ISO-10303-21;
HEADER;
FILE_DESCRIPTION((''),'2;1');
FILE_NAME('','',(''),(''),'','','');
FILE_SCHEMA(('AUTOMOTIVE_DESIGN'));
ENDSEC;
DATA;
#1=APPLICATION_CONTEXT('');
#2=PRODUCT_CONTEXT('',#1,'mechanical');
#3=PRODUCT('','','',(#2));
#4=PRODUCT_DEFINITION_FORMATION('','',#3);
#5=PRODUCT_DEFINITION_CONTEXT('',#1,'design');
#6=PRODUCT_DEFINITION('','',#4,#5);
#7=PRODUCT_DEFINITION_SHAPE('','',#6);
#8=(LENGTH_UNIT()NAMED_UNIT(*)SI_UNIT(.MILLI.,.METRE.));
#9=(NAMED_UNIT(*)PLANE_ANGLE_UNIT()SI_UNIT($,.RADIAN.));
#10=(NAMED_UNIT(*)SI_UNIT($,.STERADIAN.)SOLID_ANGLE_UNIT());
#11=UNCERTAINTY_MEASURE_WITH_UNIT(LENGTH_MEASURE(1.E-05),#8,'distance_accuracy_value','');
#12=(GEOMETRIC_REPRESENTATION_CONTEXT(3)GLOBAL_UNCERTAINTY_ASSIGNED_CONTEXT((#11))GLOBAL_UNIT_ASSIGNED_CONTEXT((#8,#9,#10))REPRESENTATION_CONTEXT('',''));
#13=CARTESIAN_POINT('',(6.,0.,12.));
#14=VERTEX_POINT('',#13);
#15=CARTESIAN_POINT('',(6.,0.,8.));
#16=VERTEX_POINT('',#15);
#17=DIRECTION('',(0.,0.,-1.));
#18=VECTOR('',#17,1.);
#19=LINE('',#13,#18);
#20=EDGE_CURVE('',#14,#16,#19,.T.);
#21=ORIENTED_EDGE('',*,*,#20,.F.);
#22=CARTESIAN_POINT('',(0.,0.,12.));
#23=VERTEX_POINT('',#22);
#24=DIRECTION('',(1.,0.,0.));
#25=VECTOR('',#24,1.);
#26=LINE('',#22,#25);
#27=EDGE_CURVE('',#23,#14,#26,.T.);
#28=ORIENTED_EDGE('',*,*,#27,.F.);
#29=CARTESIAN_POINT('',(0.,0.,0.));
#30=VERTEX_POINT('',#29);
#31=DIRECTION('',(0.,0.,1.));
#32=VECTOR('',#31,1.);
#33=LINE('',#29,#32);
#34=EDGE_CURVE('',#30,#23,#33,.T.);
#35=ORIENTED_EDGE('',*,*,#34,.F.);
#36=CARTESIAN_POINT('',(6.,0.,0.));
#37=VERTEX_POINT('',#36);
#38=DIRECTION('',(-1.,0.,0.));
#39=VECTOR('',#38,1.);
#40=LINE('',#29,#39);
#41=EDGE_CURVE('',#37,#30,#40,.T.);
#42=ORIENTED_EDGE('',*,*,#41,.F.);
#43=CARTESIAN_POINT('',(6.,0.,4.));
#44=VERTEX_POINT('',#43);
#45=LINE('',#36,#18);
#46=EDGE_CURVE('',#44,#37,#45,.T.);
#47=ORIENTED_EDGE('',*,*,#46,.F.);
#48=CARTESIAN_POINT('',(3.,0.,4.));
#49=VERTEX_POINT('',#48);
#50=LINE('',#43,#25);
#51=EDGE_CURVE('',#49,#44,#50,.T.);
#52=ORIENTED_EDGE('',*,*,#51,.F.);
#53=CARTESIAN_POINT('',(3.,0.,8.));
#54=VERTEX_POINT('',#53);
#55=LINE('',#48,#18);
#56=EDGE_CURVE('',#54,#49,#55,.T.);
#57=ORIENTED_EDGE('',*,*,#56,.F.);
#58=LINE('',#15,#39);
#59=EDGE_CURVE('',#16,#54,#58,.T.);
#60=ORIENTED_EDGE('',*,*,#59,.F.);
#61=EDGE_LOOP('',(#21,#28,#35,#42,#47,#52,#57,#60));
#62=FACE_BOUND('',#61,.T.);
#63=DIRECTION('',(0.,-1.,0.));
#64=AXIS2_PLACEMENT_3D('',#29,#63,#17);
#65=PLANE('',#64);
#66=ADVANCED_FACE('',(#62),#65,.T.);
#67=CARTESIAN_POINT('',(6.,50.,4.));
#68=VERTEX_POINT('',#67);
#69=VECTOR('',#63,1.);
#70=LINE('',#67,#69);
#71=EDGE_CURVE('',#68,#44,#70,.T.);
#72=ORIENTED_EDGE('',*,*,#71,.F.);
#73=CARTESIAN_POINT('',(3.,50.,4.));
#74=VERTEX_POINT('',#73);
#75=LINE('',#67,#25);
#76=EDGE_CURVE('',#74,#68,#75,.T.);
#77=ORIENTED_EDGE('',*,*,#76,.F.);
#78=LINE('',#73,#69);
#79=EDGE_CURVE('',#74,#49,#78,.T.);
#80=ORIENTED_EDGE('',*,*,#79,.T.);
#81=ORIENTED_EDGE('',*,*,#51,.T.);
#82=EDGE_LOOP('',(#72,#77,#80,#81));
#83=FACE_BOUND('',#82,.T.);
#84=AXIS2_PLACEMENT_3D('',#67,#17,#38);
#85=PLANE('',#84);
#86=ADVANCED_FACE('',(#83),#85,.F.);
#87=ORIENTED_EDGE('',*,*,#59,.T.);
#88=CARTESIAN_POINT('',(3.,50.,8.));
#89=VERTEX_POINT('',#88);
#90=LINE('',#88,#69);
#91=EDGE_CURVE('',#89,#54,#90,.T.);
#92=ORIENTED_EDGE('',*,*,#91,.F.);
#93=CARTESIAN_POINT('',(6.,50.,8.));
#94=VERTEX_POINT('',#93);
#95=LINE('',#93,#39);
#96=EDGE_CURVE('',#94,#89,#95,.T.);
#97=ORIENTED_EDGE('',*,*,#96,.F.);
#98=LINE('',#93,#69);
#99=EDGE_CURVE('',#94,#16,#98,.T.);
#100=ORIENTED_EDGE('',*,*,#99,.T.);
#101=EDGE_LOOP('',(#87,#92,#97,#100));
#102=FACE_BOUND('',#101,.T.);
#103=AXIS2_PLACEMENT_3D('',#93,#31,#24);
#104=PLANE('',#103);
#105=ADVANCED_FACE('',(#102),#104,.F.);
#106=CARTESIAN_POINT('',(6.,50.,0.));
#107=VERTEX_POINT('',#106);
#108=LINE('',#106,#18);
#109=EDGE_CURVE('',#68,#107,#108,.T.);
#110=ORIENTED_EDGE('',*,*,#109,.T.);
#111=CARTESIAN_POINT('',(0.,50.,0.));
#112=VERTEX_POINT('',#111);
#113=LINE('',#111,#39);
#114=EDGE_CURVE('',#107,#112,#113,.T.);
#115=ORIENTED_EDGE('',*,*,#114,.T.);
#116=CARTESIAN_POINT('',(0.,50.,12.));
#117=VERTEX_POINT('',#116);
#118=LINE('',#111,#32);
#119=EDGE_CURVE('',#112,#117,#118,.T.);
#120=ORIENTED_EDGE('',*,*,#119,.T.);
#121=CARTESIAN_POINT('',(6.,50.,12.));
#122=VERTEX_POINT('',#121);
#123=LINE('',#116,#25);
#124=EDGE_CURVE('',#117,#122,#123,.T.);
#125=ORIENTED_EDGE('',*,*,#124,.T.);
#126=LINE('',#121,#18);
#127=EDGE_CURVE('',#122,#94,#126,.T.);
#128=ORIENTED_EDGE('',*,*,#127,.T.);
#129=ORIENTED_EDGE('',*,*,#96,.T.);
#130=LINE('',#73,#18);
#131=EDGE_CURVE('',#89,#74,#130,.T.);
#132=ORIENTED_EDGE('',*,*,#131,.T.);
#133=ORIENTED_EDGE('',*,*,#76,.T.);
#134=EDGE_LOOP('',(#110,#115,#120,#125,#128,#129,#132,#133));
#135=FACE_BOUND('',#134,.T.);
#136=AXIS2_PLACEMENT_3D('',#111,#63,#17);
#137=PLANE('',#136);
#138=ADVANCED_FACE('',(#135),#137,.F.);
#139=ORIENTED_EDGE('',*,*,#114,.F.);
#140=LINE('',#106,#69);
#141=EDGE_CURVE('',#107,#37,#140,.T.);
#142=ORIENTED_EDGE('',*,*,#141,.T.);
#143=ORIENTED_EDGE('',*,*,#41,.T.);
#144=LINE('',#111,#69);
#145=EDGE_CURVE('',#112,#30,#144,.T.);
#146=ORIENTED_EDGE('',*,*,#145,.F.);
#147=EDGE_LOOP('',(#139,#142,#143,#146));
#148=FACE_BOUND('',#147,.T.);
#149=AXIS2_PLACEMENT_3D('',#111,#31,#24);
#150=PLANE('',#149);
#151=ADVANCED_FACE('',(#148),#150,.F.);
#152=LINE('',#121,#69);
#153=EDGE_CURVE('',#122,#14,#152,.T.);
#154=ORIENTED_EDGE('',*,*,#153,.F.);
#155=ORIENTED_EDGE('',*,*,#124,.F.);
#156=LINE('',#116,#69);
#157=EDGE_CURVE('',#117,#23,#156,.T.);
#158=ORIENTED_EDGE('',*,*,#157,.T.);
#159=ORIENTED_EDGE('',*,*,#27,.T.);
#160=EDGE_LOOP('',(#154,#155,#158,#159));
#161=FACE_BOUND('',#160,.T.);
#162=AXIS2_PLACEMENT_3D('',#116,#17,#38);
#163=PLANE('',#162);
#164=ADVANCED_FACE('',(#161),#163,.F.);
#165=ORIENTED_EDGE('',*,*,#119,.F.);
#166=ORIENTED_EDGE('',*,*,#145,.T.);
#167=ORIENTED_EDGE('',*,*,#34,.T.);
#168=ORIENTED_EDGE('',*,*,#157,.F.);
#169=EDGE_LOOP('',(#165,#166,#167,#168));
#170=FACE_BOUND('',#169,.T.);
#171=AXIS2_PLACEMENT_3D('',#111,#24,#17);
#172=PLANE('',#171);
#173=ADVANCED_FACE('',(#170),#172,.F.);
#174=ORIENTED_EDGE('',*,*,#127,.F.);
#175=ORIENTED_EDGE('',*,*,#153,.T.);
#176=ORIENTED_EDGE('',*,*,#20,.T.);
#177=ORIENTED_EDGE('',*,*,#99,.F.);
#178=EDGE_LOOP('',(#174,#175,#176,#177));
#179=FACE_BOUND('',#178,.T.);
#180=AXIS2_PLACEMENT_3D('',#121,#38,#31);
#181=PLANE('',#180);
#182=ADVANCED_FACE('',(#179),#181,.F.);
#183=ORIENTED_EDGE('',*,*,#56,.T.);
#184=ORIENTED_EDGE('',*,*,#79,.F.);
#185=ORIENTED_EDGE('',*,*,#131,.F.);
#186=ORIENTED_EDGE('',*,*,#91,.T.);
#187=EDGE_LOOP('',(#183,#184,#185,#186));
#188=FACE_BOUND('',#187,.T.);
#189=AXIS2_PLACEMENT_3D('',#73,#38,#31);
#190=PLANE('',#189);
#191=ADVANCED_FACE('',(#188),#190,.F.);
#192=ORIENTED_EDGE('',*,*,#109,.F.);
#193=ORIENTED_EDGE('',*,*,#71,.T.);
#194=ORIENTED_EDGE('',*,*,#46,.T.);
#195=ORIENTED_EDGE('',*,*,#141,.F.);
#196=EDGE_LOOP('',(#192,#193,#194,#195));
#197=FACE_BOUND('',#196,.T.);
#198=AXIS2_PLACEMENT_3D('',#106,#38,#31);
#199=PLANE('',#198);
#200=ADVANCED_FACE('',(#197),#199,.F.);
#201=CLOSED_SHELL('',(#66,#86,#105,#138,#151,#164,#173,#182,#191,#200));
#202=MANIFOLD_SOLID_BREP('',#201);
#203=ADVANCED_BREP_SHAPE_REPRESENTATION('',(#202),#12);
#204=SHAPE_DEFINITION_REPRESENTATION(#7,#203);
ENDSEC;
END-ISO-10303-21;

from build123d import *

# Parameters (mm, degrees)
BOSS_EXTRUDE1_DEPTH = 50


with BuildPart() as part:
    # Sketch1 → Boss-Extrude1 (new body)
    with BuildSketch(Plane(origin=(0, 0, 0), x_dir=(1, 0, 0), z_dir=(0, 1, 0))):
        Polygon((0, 0), (0, -12), (6, -12), (6, -8), (3, -8), (3, -4), (6, -4), (6, 0), align=None)
    extrude(amount=BOSS_EXTRUDE1_DEPTH)


solid = part.part
